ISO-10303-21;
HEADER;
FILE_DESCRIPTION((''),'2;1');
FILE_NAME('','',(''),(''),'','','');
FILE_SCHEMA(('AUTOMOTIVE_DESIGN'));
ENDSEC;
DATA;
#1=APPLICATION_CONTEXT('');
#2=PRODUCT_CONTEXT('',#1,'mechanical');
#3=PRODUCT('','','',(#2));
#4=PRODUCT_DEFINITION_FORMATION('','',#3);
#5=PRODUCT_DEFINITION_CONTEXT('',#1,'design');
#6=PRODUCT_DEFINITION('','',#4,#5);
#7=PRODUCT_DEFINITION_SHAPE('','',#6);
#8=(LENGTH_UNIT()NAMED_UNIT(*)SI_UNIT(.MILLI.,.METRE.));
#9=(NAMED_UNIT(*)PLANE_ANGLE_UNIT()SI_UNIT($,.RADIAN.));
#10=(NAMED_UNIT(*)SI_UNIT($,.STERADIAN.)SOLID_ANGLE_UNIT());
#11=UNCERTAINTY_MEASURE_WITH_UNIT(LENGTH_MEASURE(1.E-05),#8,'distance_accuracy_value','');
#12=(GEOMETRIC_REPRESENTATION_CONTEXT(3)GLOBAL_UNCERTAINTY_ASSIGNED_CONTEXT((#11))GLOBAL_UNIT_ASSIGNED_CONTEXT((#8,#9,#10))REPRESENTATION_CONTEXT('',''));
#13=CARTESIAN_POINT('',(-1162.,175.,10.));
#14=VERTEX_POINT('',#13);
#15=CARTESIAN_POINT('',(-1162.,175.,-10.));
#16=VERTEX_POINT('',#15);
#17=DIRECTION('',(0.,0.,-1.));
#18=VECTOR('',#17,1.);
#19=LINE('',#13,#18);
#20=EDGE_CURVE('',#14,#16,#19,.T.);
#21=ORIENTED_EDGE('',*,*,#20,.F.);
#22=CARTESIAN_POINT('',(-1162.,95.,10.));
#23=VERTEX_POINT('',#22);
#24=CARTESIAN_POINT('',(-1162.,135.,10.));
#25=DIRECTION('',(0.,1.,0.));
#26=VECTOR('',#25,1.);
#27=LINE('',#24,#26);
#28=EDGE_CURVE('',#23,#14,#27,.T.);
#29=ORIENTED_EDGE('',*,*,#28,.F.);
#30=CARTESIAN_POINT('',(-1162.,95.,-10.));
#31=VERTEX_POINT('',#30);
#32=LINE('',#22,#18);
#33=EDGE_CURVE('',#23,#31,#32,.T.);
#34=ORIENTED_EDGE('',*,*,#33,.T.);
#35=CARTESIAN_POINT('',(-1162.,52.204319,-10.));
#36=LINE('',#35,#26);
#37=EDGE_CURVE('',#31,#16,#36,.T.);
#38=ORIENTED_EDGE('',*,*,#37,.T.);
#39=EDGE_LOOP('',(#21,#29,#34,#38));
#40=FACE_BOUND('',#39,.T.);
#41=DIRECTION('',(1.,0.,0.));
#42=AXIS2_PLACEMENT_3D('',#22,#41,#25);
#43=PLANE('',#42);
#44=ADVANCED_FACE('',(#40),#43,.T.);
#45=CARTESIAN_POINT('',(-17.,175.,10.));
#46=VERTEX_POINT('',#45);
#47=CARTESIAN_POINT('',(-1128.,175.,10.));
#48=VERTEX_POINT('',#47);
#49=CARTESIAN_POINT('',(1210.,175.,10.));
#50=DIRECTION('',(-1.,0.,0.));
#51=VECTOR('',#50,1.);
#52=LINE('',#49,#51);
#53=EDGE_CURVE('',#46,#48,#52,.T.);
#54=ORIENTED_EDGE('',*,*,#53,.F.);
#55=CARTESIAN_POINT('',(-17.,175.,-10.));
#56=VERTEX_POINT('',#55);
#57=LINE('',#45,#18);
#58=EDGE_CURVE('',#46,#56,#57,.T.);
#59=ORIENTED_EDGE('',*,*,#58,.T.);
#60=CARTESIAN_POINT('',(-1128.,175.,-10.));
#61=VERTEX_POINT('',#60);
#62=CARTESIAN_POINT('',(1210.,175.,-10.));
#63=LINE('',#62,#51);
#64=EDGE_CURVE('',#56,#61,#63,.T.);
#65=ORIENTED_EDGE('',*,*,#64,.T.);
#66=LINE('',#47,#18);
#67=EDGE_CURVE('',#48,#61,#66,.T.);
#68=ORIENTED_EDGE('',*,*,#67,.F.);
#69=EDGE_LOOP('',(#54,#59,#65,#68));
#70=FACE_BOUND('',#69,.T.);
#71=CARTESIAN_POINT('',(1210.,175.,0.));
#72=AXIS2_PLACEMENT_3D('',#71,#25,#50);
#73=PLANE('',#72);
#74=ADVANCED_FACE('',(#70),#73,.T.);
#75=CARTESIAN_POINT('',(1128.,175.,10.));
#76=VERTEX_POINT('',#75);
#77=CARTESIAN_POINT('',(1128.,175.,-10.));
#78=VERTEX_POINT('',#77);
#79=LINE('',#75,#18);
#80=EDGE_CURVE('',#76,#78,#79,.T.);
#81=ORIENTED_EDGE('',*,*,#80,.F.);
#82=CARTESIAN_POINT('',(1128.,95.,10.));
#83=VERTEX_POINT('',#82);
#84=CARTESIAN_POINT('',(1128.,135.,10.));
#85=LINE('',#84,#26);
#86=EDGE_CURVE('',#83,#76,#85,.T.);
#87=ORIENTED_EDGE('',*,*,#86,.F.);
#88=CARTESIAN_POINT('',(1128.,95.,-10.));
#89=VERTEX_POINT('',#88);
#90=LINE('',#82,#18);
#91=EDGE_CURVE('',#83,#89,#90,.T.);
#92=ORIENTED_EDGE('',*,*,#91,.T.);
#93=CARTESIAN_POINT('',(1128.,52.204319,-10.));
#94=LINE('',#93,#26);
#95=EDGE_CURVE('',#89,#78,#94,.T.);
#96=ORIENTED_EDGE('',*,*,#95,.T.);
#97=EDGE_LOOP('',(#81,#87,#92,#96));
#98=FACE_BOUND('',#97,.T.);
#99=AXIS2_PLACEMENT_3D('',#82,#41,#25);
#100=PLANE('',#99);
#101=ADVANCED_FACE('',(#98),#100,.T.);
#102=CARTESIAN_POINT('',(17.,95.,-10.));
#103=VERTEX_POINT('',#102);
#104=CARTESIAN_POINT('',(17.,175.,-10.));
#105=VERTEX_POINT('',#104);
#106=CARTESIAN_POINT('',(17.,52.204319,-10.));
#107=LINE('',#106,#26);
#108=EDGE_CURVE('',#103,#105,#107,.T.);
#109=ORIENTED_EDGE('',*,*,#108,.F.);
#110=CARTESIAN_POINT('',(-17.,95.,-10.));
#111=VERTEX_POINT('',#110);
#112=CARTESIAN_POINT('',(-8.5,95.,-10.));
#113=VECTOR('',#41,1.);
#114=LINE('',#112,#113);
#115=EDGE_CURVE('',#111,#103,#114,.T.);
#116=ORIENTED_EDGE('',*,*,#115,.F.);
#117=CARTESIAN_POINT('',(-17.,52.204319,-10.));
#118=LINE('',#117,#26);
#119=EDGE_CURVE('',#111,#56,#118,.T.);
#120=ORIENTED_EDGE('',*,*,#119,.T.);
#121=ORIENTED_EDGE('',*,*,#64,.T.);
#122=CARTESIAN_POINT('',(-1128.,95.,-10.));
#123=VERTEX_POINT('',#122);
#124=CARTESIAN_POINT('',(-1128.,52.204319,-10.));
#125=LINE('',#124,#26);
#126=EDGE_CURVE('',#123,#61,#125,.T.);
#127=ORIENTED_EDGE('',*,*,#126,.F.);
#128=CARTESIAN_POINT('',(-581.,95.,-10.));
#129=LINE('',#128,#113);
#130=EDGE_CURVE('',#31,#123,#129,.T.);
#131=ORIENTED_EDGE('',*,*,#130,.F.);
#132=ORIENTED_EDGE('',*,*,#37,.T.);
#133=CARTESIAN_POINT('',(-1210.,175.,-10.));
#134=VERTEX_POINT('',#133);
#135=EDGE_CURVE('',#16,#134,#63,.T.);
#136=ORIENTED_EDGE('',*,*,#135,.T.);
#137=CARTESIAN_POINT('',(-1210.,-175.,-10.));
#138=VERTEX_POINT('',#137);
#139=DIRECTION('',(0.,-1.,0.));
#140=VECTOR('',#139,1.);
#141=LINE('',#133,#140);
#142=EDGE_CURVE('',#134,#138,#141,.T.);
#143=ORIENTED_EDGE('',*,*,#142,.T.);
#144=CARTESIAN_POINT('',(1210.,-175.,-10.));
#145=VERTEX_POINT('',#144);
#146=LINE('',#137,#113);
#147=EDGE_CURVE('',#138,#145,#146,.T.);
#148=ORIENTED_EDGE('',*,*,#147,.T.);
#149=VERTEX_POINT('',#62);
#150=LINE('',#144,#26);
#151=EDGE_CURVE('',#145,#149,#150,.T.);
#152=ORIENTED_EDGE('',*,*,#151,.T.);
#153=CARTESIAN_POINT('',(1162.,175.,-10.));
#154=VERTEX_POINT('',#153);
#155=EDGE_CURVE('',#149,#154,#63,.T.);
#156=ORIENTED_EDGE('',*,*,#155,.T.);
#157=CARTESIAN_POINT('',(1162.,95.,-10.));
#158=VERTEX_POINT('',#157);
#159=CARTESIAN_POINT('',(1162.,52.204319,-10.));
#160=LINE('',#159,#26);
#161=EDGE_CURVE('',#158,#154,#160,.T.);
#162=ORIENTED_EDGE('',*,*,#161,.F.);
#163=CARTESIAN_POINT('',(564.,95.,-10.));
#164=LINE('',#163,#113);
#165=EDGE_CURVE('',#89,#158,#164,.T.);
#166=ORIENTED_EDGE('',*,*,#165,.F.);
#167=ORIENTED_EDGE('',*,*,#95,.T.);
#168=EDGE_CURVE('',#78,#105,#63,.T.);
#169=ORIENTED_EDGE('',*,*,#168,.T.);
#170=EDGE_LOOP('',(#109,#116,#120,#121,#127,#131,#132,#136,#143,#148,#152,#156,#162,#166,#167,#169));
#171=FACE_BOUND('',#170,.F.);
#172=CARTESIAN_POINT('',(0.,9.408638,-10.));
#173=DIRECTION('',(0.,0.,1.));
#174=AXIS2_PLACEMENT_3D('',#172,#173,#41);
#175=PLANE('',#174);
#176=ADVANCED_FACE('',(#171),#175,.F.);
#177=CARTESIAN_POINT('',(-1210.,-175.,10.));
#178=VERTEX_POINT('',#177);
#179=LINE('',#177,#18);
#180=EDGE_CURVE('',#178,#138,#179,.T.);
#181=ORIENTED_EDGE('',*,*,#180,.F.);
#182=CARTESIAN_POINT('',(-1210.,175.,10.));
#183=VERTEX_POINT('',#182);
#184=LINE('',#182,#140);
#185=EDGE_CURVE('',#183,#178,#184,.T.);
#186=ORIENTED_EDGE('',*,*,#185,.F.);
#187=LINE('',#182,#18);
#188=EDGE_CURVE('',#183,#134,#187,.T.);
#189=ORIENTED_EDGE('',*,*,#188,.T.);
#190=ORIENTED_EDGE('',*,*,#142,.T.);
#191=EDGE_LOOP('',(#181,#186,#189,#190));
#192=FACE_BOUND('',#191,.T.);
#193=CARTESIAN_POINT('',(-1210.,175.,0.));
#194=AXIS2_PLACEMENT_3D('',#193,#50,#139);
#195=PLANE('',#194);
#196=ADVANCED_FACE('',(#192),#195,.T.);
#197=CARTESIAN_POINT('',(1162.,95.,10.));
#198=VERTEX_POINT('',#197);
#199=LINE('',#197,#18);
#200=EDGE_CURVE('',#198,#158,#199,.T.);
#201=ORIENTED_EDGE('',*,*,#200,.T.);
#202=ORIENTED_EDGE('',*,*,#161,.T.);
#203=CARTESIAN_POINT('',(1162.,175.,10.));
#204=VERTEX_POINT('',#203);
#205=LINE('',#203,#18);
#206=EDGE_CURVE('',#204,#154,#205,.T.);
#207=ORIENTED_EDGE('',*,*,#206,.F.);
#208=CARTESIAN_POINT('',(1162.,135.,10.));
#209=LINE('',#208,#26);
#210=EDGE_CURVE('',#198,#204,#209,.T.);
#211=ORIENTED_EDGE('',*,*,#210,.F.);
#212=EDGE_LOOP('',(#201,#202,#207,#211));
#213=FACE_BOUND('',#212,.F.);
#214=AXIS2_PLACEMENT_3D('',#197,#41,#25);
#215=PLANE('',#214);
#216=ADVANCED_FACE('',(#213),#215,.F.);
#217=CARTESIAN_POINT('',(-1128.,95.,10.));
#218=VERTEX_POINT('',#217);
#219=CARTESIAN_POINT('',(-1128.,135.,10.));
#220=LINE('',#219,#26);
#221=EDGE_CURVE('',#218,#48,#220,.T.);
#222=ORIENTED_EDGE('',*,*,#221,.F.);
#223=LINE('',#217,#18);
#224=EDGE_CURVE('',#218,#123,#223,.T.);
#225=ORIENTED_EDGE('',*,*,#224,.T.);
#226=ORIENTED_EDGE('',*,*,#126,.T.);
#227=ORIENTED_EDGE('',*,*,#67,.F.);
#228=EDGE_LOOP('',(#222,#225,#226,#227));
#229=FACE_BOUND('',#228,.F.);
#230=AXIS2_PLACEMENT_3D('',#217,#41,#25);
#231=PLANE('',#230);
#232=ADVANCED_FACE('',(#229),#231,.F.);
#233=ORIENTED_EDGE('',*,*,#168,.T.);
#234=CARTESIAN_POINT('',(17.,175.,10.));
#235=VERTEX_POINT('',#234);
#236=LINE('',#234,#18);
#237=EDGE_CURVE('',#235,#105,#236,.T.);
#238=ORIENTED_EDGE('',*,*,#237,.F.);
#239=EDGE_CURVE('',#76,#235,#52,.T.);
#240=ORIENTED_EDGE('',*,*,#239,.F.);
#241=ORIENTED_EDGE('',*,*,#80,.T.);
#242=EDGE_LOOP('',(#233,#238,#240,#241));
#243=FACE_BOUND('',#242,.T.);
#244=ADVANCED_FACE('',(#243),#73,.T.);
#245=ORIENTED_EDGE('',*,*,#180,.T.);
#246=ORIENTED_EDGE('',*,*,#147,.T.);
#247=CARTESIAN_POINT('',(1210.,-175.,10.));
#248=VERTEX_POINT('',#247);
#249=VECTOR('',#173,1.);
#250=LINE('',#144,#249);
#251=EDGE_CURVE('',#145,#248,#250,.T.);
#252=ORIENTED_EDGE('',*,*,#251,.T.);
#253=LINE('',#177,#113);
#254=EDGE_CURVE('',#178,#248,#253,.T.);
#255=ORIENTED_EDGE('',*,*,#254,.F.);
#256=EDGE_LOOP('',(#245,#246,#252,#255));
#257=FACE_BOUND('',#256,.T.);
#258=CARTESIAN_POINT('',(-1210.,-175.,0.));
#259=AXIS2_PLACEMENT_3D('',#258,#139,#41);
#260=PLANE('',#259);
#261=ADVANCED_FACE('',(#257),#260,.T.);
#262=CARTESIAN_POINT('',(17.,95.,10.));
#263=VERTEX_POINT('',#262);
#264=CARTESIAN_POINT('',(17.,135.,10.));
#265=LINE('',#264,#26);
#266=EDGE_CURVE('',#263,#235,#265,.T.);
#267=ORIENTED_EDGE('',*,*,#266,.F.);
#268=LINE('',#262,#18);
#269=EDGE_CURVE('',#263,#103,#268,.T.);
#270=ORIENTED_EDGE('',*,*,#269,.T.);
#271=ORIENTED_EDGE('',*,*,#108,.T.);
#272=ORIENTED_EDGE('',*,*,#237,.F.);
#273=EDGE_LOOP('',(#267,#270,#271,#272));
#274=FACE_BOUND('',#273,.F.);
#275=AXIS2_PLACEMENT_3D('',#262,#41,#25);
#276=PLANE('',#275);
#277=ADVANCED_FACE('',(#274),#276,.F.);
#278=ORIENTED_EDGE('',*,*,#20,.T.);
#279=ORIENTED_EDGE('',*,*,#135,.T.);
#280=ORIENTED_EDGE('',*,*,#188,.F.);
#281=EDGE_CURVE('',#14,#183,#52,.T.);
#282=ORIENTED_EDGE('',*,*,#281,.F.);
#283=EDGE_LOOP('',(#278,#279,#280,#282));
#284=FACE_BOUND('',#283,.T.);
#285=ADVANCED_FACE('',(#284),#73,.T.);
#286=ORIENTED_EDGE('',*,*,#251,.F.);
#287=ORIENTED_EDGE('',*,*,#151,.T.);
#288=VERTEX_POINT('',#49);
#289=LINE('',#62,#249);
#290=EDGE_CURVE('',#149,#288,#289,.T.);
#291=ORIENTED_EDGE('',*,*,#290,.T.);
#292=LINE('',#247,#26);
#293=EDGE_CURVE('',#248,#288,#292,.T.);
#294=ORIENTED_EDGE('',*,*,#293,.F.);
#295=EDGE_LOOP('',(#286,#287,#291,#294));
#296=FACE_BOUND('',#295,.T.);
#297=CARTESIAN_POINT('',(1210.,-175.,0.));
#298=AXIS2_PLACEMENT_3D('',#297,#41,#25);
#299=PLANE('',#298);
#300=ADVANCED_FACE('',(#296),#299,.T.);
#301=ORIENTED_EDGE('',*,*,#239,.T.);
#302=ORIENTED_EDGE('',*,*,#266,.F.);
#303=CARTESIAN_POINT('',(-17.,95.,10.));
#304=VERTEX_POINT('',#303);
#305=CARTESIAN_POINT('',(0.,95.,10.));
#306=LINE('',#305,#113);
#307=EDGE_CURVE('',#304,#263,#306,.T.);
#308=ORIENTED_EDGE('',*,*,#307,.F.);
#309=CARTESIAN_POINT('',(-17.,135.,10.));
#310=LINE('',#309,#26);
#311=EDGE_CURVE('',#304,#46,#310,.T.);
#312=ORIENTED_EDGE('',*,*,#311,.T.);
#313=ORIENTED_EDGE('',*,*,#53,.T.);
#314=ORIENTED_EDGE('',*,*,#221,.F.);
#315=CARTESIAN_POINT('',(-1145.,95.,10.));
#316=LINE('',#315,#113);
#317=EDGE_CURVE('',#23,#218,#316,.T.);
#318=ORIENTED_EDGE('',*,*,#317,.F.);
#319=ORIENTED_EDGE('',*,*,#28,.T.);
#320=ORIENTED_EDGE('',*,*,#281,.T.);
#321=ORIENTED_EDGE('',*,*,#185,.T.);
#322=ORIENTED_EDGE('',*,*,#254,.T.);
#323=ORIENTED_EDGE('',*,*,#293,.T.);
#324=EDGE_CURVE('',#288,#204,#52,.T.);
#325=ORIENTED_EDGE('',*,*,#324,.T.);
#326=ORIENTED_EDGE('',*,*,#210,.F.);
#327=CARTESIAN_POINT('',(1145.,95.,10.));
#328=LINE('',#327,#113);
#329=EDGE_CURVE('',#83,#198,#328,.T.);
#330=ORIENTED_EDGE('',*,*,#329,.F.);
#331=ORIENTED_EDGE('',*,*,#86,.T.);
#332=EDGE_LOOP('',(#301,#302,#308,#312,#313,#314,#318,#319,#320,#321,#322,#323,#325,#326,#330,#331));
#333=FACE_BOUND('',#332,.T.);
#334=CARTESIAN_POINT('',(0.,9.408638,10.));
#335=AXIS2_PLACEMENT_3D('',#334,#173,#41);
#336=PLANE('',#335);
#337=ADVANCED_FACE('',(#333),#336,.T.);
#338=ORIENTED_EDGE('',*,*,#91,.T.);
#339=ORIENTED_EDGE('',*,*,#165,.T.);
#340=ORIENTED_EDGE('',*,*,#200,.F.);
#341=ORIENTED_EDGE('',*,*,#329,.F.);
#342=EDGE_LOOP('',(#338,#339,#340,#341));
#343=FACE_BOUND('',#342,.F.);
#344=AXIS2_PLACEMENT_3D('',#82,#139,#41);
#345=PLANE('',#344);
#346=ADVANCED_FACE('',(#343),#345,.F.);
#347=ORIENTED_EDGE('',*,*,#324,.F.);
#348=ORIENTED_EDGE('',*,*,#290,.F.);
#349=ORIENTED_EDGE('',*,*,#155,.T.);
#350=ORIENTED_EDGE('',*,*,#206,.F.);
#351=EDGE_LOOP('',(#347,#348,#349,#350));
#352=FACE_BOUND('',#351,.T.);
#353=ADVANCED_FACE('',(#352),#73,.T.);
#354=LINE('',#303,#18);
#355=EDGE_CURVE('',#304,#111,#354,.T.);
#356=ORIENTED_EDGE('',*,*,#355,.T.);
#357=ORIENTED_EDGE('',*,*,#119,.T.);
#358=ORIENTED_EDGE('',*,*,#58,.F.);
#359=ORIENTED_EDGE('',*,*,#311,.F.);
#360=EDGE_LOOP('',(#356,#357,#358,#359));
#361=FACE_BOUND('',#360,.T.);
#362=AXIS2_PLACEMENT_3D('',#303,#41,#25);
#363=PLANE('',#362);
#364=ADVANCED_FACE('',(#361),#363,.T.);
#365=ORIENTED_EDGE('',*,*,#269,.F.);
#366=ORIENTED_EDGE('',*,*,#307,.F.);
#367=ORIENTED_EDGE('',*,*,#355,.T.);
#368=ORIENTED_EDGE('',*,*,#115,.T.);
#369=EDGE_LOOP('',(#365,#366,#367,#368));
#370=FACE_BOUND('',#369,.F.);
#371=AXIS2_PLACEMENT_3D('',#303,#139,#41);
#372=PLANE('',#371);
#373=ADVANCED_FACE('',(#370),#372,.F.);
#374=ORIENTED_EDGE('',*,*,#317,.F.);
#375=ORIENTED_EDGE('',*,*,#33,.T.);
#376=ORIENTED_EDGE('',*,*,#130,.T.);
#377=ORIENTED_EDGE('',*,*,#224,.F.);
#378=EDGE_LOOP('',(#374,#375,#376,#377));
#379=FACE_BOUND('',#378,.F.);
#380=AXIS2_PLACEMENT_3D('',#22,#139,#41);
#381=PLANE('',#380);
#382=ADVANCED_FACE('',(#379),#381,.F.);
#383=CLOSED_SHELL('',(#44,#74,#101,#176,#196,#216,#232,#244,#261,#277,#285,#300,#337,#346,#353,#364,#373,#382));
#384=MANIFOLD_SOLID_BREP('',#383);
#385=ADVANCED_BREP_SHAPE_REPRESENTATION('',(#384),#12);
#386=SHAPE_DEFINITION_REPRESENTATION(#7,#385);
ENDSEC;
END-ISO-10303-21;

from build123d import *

# Parameters (mm, degrees)
F0_W     = 34
F0_H     = 80
F1_DEPTH = 10
F2_W     = 34
F2_H     = 80
F3_DEPTH = 25


with BuildPart() as f1:
    # F0 (on Top) → F1 (new body, symmetric)
    with BuildSketch(Plane.XY):
        Polygon((-1210, -175), (1210, -175), (1210, 175), (1162, 175), (1162, 95), (1128, 95), (1128, 175), (17, 175), (17, 95), (-17, 95), (-17, 175), (-1128, 175), (-1128, 95), (-1162, 95), (-1162, 175), (-1210, 175), align=None)
        with Locations((1145, 135)):
            Rectangle(F0_W, F0_H)
        with Locations((-1145, 135)):
            Rectangle(F0_W, F0_H)
        with Locations((0, 135)):
            Rectangle(F0_W, F0_H)
    extrude(amount=F1_DEPTH, both=True)

    # F2 (on face) → F3 (cut)
    with BuildSketch(Plane.XY.offset(10)):
        with Locations((-1145, 135)):
            Rectangle(F2_W, F2_H)
        with Locations((0, 135)):
            Rectangle(F2_W, F2_H)
        with Locations((1145, 135)):
            Rectangle(F2_W, F2_H)
    extrude(amount=-F3_DEPTH, mode=Mode.SUBTRACT)


solid = f1.part
